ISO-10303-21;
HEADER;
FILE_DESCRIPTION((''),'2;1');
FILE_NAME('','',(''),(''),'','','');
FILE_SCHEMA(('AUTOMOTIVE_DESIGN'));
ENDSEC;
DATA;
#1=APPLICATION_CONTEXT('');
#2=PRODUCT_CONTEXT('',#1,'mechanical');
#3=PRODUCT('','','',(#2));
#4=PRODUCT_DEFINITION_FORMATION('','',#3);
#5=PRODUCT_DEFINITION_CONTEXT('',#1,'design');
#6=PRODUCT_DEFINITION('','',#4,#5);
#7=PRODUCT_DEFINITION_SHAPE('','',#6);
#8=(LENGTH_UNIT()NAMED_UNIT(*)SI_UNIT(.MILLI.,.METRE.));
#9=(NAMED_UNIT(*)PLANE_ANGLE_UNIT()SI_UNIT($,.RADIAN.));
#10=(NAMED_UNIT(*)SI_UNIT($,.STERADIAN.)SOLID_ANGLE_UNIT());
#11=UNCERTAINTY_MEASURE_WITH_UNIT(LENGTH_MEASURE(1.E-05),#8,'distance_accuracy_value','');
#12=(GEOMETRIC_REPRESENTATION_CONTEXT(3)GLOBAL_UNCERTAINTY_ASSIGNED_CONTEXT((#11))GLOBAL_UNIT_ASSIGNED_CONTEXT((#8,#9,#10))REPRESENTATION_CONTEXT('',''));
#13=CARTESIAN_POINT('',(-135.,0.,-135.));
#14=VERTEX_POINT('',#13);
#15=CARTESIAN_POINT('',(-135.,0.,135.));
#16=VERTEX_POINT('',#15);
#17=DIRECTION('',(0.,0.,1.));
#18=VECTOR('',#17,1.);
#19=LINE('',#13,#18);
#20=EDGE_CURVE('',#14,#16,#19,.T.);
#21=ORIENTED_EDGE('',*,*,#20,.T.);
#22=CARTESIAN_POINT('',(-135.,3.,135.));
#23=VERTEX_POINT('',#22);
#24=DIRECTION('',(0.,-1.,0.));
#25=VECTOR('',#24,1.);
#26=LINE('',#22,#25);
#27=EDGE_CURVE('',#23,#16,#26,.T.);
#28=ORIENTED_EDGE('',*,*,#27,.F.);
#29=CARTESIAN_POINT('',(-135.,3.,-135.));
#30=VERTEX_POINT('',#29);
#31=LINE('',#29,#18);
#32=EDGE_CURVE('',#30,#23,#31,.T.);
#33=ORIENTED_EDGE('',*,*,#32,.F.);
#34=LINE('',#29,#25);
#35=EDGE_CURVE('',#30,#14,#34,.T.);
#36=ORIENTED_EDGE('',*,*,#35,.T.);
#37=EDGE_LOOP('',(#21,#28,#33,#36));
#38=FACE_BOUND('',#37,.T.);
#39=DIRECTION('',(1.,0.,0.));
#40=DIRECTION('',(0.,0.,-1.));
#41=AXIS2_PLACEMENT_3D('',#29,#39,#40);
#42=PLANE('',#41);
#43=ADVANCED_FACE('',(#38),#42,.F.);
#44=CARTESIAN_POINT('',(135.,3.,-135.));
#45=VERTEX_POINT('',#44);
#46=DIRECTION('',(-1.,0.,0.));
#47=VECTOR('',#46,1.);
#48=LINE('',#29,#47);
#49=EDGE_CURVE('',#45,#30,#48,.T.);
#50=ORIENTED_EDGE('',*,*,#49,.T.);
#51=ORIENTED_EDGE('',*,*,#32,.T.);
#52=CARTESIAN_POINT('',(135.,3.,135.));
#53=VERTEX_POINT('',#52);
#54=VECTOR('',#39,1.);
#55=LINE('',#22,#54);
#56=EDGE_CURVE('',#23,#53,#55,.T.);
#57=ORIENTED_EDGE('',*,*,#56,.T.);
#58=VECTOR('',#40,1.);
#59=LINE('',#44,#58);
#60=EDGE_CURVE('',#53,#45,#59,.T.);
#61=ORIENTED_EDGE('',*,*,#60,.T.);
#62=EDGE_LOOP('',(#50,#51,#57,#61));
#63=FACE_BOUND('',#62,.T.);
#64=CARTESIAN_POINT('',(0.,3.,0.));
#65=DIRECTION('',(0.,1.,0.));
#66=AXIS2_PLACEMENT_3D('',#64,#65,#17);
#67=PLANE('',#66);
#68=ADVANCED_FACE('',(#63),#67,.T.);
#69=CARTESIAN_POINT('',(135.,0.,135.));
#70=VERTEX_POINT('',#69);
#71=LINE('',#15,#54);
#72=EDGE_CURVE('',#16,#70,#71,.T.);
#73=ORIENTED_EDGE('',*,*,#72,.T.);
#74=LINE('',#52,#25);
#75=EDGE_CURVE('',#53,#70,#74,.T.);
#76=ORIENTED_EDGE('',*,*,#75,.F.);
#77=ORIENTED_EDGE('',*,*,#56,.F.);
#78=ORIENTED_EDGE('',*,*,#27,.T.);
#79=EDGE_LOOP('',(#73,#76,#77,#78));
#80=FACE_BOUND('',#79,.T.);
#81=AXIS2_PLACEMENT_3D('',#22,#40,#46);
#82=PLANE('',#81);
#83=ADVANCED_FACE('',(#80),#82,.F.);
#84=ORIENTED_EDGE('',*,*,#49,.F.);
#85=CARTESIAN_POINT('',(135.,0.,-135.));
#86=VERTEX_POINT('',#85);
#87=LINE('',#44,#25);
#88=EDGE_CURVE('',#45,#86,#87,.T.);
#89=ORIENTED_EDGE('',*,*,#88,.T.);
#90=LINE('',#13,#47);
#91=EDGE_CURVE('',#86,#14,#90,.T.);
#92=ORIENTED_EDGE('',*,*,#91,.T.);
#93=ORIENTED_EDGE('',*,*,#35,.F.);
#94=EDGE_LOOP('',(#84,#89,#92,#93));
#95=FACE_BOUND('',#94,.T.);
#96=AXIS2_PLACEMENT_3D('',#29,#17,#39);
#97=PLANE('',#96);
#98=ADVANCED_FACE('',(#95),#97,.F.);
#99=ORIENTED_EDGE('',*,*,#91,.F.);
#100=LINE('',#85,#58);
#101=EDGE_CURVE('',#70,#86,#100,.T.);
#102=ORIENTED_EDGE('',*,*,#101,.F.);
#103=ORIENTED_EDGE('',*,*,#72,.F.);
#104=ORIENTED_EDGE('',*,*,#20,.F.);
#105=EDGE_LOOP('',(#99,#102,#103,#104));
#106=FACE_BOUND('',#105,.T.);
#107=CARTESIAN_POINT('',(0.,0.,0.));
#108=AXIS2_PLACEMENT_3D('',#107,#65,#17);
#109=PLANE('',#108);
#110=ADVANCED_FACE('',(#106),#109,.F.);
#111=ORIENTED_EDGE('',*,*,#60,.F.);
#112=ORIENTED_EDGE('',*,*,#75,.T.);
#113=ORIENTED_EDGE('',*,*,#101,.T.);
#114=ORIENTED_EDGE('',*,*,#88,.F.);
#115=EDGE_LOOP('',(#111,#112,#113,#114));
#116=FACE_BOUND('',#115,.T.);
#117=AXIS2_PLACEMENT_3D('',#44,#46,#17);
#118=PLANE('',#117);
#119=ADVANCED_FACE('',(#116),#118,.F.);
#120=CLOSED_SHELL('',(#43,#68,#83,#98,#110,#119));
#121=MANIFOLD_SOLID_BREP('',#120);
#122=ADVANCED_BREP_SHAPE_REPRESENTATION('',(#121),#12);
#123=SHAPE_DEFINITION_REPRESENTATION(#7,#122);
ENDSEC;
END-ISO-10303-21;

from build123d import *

# Parameters (mm, degrees)
SKETCH_1_W      = 270
SKETCH_1_H      = 270
EXTRUDE_1_DEPTH = 3


with BuildPart() as part:
    # 草图1 → 凸台-拉伸1 (new body)
    with BuildSketch(Plane(origin=(0, 0, 0), x_dir=(1, 0, 0), z_dir=(0, 1, 0))):
        Rectangle(SKETCH_1_W, SKETCH_1_H)
    extrude(amount=EXTRUDE_1_DEPTH)


solid = part.part
